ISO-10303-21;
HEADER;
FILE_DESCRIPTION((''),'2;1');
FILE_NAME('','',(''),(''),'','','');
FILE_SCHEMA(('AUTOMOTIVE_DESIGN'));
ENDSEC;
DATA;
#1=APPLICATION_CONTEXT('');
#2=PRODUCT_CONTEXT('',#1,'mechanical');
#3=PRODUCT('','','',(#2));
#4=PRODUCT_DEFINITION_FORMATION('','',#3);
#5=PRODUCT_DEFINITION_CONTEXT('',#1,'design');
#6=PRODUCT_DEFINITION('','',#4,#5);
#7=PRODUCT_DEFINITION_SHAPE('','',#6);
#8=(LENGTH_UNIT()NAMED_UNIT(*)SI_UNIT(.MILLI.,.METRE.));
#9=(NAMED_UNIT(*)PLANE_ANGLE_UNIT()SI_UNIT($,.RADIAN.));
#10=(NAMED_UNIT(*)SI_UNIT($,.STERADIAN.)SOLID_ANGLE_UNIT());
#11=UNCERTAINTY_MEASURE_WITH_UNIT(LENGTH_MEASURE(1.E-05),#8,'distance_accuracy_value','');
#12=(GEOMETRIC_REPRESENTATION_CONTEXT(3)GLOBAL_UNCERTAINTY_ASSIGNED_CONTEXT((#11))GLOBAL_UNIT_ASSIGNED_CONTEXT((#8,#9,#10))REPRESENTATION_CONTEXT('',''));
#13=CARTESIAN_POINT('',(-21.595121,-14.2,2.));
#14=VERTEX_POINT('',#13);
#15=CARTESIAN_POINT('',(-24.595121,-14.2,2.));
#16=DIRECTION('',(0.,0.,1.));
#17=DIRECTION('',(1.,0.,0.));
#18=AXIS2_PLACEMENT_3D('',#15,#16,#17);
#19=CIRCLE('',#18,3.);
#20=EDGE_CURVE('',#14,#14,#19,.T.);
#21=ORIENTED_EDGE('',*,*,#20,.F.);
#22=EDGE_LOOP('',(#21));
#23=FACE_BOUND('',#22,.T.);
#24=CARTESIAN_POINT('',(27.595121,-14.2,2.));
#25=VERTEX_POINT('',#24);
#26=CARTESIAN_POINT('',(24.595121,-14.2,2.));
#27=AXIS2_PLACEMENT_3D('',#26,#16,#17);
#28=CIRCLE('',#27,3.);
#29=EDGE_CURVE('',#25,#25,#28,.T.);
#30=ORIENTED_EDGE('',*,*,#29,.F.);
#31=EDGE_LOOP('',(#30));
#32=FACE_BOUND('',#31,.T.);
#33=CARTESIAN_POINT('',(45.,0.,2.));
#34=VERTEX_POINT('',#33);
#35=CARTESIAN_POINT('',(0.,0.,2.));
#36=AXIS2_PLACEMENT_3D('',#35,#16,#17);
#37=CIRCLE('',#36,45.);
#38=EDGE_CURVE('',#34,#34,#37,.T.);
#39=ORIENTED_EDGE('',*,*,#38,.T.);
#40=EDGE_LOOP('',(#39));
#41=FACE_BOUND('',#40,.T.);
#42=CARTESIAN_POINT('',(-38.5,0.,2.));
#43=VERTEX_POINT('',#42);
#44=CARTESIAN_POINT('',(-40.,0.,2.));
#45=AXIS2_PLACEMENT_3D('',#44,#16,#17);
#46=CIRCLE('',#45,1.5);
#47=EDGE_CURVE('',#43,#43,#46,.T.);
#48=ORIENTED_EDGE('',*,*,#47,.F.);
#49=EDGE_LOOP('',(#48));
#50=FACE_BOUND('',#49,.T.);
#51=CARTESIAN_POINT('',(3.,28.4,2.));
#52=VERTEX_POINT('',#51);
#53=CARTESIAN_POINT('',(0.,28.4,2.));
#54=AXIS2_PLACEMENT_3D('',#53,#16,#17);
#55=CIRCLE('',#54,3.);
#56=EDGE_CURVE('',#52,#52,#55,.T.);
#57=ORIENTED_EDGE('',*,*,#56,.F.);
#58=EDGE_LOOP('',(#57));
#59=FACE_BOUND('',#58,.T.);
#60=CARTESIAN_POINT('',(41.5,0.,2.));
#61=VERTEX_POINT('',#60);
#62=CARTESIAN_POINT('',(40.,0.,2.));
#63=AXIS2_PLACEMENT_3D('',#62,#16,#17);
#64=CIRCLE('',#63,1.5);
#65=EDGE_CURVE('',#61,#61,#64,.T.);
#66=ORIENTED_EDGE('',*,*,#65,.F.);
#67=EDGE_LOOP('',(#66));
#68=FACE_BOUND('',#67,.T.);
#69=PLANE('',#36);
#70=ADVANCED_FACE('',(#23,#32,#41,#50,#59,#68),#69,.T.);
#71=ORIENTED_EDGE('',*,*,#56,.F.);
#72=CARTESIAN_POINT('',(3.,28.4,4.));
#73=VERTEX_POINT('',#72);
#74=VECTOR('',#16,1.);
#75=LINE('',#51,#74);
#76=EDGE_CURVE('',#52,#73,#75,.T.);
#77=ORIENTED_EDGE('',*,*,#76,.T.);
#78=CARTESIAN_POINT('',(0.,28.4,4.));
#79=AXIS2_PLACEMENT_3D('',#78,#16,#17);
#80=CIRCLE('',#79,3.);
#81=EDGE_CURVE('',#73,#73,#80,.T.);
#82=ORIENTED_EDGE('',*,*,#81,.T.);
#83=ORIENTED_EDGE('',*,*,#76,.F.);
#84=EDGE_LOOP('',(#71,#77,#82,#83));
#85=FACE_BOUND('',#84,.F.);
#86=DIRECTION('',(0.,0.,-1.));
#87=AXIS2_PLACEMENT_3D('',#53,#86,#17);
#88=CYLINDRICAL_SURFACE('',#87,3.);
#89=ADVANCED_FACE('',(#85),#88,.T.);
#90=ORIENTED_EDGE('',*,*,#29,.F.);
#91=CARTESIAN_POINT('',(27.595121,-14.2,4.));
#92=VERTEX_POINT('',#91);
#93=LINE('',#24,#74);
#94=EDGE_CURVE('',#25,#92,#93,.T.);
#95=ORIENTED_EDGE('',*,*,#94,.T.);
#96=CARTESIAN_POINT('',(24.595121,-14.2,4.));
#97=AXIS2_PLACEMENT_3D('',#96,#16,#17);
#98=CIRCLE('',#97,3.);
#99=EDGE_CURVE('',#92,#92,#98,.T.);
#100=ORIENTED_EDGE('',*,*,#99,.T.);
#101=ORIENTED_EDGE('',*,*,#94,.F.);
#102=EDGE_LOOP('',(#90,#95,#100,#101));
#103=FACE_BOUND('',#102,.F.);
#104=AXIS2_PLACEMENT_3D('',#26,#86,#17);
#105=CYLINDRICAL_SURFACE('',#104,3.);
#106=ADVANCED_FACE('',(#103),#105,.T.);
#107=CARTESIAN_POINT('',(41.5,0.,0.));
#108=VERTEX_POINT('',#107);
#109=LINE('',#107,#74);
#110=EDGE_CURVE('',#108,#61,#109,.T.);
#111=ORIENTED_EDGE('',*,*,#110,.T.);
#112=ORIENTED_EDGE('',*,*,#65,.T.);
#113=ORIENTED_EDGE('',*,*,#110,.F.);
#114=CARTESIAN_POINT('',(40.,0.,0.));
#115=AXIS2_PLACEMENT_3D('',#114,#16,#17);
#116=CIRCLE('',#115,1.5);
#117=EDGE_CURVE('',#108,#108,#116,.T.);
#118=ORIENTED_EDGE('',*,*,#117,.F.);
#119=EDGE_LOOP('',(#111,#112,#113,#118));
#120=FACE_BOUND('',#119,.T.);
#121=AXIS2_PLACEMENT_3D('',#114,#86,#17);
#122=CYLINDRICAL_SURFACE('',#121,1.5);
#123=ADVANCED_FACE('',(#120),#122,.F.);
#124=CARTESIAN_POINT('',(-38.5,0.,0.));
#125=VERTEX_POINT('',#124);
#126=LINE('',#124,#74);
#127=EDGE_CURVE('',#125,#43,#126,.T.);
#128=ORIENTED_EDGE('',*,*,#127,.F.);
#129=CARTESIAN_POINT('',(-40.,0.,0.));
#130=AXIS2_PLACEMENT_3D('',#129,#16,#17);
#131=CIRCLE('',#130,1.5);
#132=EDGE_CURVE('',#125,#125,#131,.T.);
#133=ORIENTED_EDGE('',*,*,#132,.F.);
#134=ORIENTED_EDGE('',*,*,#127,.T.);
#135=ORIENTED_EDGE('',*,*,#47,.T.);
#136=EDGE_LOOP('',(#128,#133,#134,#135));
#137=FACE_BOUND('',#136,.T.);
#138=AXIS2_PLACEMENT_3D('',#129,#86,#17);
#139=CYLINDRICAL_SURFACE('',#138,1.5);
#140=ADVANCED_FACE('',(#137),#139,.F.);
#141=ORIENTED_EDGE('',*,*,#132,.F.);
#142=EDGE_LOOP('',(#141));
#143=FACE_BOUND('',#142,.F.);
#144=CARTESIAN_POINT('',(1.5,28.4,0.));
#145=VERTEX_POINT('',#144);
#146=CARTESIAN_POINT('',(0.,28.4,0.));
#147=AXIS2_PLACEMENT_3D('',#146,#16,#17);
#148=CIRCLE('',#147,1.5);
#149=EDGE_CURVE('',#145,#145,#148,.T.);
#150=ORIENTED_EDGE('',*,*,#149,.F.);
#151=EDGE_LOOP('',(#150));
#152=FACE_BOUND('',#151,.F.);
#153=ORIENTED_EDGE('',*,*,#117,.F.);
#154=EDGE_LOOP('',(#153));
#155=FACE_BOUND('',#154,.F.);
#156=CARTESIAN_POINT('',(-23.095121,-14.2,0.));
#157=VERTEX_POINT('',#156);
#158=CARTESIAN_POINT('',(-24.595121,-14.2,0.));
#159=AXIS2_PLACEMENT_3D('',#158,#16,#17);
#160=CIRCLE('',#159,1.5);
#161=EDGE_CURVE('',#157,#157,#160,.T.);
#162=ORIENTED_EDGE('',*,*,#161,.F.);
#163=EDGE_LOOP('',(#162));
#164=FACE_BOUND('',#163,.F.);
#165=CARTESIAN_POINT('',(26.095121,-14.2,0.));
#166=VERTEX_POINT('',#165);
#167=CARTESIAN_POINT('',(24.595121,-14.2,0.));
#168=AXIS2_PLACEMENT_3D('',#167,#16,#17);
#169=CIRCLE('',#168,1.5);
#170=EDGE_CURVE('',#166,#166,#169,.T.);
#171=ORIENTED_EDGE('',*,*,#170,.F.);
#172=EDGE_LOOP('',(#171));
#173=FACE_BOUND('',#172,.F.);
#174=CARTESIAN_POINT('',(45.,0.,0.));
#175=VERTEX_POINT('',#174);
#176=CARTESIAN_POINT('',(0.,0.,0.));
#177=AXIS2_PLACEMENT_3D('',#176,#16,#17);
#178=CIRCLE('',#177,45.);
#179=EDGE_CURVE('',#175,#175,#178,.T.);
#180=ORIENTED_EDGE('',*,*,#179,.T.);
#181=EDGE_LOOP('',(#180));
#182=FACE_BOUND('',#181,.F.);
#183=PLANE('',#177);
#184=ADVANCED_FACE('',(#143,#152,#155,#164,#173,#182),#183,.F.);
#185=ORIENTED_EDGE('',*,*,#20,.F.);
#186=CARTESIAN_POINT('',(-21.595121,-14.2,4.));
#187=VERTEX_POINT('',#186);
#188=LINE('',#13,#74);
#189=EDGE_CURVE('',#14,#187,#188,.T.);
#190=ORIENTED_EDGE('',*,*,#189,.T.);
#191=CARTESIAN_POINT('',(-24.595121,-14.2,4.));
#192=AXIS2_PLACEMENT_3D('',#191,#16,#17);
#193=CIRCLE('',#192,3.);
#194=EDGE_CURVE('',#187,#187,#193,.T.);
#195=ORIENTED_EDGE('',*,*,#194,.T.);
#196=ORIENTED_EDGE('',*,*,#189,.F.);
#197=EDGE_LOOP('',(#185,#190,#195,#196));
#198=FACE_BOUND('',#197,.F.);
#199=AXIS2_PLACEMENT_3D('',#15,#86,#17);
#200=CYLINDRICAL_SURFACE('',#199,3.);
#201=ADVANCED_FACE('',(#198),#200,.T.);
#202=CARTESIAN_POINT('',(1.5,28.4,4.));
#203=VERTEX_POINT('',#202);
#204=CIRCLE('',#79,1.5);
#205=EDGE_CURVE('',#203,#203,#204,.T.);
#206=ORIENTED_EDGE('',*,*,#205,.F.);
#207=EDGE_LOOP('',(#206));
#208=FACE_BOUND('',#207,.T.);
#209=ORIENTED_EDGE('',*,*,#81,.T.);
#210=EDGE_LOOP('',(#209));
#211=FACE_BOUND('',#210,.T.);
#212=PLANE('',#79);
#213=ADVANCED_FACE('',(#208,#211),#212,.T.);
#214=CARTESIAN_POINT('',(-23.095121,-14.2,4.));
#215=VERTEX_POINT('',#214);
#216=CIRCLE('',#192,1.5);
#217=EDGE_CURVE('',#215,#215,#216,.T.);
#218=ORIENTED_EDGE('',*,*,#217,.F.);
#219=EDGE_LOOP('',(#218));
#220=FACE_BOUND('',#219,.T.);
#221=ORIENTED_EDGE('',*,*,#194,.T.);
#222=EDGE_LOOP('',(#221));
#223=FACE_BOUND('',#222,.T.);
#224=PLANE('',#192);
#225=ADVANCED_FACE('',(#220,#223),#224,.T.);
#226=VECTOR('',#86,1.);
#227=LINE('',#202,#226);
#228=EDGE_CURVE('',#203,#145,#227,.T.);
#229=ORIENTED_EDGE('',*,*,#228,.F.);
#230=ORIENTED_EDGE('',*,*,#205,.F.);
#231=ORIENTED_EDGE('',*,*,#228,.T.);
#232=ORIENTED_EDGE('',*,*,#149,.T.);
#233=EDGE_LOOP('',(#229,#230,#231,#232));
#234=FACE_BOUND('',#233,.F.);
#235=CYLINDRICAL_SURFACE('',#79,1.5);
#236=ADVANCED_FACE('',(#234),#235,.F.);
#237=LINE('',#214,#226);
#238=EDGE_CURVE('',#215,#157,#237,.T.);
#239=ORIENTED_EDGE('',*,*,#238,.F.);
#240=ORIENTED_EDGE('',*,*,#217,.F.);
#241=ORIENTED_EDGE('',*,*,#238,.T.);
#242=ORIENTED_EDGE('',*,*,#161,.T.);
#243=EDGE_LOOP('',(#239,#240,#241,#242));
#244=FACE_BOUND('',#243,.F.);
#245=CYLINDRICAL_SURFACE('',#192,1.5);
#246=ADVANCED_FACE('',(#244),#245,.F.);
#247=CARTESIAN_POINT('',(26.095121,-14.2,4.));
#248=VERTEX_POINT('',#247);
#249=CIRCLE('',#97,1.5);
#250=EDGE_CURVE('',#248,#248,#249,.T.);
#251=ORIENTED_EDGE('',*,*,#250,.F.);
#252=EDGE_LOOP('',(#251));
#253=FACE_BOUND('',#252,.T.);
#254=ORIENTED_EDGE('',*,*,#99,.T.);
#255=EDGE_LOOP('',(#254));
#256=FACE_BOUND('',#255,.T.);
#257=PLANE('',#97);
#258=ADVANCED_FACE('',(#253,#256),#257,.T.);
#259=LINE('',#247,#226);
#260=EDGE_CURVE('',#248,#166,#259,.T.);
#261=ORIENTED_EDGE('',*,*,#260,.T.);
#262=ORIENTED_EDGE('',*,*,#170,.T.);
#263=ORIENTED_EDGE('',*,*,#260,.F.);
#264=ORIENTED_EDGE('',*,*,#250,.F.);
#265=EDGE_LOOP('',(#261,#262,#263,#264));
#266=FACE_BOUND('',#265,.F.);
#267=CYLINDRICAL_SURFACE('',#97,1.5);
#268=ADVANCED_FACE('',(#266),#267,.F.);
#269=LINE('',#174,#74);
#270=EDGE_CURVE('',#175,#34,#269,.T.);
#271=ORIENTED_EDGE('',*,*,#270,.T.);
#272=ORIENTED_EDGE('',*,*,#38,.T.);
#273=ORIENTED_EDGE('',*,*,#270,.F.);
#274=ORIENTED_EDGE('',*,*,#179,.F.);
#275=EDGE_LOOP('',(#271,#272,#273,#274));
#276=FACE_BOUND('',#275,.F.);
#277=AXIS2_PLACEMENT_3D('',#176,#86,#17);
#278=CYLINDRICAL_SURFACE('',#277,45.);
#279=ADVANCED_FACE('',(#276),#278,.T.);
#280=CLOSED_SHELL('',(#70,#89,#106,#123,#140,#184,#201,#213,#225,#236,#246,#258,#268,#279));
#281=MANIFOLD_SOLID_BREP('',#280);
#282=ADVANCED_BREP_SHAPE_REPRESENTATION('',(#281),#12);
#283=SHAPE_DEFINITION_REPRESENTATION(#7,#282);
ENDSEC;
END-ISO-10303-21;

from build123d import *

# Parameters (mm, degrees)
SKETCH_R     = 45
SKETCH_R_2   = 1.5
PAD_DEPTH    = 2
SKETCH001_R  = 3
PAD001_DEPTH = 2
SKETCH002_R  = 1.5
POCKET_DEPTH = 5


with BuildPart() as part:
    # Sketch → Pad (new body)
    with BuildSketch(Plane.XY):
        Circle(SKETCH_R)
        with Locations((-40, 0)):
            Circle(SKETCH_R_2, mode=Mode.SUBTRACT)
        with Locations((40, 0)):
            Circle(SKETCH_R_2, mode=Mode.SUBTRACT)
    extrude(amount=PAD_DEPTH)

    # Sketch001 (on Face5 of Pad) → Pad001 (join)
    with BuildSketch(Plane.XY.offset(2)):
        with Locations((-24.595121, -14.2)):
            Circle(SKETCH001_R)
        with Locations((0, 28.4)):
            Circle(SKETCH001_R)
        with Locations((24.595121, -14.2)):
            Circle(SKETCH001_R)
    extrude(amount=PAD001_DEPTH)

    # Sketch002 (on Face9 of Pad001) → Pocket (cut)
    with BuildSketch(Plane.XY.offset(4)):
        with Locations((-24.595121, -14.2)):
            Circle(SKETCH002_R)
        with Locations((0, 28.4)):
            Circle(SKETCH002_R)
        with Locations((24.595121, -14.2)):
            Circle(SKETCH002_R)
    extrude(amount=-POCKET_DEPTH, mode=Mode.SUBTRACT)


solid = part.part
